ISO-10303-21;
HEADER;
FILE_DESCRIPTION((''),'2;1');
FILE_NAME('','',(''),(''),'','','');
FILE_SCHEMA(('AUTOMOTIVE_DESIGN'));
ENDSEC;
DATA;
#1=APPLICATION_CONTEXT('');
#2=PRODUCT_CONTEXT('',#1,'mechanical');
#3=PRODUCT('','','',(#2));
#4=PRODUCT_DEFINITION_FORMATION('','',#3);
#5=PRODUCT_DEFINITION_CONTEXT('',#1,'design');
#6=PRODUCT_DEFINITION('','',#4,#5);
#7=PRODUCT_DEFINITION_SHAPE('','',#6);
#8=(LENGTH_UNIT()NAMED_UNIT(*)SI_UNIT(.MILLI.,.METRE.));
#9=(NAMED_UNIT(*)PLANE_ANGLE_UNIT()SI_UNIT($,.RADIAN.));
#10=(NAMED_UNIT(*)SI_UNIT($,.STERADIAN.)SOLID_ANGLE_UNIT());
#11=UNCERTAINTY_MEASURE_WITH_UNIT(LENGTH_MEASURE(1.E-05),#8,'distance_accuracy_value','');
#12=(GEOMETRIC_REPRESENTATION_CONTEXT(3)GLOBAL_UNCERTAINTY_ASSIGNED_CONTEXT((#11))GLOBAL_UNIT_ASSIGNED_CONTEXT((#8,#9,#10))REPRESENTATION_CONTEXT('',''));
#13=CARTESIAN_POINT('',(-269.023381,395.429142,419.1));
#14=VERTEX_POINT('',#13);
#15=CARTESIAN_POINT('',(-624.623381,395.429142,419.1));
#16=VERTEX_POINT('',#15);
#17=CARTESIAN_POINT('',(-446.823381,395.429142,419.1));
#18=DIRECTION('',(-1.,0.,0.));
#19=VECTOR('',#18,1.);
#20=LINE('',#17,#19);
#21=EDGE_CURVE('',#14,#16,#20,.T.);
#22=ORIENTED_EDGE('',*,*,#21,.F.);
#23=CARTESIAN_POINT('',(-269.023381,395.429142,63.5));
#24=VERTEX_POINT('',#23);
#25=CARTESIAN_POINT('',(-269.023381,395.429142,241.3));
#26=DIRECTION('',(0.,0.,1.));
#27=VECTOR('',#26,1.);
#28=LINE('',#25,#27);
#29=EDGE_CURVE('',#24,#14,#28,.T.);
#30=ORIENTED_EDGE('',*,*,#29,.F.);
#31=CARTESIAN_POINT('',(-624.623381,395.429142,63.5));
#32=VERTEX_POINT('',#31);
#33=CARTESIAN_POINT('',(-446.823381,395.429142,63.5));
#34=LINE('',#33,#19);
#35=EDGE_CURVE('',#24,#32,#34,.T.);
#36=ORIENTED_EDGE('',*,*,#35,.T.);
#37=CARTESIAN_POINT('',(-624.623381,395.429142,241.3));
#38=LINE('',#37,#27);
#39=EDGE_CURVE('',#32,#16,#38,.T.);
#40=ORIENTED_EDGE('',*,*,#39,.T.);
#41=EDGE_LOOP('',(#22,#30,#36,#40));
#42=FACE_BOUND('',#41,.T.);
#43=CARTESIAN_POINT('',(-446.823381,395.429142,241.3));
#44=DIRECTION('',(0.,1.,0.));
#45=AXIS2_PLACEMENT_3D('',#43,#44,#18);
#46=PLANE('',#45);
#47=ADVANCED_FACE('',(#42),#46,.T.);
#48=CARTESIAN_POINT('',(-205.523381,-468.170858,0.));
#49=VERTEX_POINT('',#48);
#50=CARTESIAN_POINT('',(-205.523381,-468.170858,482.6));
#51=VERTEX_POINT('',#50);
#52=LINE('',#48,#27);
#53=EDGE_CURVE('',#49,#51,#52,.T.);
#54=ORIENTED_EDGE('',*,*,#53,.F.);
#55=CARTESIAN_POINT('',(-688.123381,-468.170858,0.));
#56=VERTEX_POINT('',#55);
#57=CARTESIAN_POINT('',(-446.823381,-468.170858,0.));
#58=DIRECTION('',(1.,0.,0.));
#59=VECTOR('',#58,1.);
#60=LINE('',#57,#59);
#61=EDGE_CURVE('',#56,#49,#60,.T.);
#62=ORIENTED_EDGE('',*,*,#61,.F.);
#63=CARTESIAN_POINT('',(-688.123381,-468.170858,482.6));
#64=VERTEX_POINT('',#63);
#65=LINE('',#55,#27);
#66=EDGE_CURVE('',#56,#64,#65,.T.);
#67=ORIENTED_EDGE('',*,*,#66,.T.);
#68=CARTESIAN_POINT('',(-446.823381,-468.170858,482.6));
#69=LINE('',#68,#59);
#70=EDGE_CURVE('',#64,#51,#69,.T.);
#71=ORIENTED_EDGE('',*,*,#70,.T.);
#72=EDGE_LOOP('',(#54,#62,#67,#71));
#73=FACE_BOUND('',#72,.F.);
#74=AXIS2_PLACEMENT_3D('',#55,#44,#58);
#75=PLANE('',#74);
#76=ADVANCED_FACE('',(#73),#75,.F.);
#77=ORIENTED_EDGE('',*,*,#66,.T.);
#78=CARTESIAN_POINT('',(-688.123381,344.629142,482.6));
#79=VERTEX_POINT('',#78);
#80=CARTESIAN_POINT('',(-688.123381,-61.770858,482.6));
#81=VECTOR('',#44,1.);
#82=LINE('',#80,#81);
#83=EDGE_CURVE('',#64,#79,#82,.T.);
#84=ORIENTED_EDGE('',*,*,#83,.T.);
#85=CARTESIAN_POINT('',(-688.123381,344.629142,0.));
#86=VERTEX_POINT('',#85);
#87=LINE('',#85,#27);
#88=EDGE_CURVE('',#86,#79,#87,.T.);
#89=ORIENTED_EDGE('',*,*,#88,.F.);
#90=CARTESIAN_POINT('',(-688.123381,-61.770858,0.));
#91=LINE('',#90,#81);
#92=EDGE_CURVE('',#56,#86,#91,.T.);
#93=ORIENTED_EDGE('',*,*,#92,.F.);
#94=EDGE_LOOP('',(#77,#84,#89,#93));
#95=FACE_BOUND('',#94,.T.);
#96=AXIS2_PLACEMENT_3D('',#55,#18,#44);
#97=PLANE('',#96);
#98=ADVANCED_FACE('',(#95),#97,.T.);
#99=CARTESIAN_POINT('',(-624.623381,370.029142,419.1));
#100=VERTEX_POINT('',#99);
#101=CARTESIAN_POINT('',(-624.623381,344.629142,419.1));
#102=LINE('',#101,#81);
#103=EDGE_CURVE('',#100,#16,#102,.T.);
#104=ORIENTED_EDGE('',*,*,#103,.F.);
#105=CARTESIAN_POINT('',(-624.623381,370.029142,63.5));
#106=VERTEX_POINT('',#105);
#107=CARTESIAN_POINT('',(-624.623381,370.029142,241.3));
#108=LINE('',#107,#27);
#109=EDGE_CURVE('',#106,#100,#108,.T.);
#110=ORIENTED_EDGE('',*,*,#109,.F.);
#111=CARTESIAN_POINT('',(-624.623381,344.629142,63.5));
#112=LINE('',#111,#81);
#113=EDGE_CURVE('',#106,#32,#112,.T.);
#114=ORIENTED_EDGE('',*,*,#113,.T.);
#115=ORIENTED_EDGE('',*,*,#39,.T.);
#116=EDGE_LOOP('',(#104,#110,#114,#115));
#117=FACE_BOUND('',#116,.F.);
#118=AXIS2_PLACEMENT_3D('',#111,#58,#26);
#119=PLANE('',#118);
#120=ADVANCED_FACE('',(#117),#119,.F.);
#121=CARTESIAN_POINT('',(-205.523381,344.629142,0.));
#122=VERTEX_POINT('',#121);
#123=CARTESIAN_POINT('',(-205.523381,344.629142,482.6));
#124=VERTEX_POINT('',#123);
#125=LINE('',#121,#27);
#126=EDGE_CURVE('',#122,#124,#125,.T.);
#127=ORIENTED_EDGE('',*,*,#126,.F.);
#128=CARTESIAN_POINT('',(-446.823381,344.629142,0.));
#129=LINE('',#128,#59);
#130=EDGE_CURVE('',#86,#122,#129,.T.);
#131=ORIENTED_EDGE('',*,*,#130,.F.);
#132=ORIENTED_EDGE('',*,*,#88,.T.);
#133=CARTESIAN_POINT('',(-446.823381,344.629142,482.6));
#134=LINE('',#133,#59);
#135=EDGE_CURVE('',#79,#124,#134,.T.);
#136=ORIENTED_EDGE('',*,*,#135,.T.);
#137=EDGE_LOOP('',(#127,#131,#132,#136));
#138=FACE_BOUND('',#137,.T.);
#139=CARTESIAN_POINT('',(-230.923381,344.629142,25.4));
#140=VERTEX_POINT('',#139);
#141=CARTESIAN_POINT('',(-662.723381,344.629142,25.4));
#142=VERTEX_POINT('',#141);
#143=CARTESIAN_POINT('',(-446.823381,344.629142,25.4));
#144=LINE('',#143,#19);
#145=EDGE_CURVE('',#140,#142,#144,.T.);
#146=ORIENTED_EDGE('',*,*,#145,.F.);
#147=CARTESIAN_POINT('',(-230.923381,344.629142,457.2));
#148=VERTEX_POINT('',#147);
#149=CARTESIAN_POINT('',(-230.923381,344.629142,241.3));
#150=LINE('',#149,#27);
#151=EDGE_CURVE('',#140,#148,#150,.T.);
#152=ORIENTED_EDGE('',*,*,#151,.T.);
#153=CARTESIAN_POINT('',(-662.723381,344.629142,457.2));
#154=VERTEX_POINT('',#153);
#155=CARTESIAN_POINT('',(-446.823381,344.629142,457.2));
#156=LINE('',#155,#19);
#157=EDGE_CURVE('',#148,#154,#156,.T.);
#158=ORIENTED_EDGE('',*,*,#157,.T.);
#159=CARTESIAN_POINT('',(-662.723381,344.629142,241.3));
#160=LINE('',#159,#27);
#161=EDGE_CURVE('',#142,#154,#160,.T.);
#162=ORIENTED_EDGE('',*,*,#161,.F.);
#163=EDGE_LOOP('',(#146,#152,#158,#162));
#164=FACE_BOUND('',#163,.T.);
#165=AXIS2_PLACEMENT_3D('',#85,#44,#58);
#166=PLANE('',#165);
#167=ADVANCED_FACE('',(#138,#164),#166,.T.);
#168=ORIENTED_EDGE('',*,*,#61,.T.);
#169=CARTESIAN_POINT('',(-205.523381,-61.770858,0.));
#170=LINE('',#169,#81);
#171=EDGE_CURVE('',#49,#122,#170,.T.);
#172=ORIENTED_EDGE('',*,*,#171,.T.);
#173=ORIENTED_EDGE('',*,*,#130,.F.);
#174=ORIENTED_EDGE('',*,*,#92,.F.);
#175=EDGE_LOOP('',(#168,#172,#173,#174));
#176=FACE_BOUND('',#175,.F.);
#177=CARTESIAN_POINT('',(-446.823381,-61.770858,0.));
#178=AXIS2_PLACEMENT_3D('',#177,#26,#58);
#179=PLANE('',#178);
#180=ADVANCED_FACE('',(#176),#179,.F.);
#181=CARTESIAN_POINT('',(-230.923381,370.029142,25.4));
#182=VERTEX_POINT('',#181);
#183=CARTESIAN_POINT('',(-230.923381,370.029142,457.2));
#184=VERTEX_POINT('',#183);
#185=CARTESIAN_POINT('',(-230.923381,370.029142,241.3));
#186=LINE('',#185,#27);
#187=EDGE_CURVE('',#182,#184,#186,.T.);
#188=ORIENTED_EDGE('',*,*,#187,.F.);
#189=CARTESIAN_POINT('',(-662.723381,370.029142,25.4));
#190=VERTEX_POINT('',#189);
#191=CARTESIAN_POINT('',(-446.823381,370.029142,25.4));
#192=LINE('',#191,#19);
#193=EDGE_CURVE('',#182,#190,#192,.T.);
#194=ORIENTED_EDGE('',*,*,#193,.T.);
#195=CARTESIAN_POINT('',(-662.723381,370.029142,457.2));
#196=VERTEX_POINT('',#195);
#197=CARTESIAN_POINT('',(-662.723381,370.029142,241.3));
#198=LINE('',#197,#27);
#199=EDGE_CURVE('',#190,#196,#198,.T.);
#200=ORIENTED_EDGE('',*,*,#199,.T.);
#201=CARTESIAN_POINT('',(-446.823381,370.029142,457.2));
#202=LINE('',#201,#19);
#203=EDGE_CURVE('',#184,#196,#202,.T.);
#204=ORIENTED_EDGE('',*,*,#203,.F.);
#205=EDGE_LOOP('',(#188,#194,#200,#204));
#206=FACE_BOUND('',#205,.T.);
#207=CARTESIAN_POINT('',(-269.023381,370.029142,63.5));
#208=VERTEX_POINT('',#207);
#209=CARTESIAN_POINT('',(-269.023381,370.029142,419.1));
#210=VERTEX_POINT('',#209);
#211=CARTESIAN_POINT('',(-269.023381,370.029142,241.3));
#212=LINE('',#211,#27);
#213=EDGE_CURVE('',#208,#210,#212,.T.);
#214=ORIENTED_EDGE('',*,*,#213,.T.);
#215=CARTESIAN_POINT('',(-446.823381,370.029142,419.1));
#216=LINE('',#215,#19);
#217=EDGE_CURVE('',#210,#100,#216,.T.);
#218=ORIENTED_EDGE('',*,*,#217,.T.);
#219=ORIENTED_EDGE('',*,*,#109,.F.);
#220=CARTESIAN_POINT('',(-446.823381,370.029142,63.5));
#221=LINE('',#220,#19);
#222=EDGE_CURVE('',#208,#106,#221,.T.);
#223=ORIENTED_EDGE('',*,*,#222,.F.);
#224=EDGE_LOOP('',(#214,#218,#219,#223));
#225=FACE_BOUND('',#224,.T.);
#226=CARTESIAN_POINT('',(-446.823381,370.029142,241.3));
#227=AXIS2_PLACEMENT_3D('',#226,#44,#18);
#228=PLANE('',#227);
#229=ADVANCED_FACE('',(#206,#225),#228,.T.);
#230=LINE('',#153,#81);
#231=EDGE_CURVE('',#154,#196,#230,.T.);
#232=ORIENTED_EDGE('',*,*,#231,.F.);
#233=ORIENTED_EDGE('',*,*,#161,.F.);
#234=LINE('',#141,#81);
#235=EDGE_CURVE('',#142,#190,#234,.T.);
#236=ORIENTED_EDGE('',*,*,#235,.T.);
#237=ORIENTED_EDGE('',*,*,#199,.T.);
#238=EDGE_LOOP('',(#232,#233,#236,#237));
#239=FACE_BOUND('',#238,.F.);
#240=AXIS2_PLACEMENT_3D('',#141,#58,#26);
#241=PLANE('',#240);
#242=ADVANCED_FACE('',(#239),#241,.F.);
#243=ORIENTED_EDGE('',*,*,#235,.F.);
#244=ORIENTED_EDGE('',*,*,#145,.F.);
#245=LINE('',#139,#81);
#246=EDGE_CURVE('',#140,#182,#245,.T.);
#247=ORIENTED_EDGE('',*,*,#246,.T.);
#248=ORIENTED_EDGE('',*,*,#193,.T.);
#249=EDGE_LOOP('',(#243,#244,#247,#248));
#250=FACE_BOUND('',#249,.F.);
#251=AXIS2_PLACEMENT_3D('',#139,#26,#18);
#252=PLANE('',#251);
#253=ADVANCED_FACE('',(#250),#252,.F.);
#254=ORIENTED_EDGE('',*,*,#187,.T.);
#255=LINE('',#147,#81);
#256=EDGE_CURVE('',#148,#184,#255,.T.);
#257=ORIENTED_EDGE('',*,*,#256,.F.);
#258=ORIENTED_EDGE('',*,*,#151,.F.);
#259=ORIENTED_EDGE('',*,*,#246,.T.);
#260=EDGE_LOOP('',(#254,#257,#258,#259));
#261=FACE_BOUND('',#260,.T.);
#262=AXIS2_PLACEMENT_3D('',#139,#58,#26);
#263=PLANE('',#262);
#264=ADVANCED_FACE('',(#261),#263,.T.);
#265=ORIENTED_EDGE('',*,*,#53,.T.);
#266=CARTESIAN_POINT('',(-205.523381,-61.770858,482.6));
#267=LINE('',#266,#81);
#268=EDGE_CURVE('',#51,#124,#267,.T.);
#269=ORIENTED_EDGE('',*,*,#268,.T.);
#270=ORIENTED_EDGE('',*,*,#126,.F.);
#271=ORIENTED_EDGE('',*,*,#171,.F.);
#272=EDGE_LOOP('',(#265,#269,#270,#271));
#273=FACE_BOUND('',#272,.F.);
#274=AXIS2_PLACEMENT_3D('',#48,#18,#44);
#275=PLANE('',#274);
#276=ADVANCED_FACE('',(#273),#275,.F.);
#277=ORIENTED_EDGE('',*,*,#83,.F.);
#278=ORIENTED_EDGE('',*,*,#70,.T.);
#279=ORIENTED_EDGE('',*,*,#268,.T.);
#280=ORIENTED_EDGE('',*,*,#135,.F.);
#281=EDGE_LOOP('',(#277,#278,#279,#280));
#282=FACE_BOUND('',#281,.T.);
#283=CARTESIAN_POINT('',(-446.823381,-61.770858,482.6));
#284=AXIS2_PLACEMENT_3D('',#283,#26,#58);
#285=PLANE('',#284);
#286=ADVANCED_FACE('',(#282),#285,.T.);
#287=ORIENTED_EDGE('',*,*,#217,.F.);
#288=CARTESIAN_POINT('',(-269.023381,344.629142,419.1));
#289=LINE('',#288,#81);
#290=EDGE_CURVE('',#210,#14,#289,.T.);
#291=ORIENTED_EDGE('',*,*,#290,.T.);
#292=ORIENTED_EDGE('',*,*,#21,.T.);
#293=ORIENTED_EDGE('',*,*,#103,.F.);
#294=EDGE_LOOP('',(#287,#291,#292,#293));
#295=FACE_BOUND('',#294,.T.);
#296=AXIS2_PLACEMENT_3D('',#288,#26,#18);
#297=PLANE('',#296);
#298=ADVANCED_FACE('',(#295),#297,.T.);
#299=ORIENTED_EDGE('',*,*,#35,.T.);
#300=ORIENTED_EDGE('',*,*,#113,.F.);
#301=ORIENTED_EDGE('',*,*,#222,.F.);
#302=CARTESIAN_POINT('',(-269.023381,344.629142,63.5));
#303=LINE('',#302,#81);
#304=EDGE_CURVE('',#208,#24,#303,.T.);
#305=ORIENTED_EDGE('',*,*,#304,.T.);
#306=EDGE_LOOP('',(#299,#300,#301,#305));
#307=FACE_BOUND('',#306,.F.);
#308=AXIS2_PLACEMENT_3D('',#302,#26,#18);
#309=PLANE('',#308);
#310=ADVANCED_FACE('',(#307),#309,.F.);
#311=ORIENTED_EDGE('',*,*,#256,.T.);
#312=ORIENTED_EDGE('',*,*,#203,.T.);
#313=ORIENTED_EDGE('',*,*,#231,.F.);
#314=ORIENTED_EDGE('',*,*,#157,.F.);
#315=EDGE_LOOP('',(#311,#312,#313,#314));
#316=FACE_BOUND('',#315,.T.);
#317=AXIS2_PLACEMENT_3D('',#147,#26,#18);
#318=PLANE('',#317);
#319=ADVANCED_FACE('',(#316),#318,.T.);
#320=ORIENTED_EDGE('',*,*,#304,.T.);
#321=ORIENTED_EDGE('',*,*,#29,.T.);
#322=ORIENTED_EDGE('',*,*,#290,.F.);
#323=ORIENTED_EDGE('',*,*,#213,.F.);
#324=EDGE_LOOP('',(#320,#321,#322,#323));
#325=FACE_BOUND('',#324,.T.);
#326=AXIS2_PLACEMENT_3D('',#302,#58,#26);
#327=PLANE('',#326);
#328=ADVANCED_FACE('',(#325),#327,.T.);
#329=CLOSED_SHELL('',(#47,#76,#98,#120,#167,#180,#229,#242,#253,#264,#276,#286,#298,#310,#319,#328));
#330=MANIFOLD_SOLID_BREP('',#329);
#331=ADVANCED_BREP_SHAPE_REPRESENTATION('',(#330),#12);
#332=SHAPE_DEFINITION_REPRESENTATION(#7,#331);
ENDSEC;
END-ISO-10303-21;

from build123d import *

# Parameters (mm, degrees)
F0_W     = 482.6
F0_H     = 812.8
F1_DEPTH = 482.6
F2_W     = 355.6
F2_H     = 355.6
F3_DEPTH = 50.8
F2_W_2   = 431.8
F2_H_2   = 431.8
F4_DEPTH = 25.4


with BuildPart() as f1:
    # F0 (on Top) → F1 (new body)
    with BuildSketch(Plane.XY):
        with Locations((-446.823381, -61.770858)):
            Rectangle(F0_W, F0_H)
    extrude(amount=F1_DEPTH)

    # F2 (on face) → F3 (join)
    with BuildSketch(Plane(origin=(0, 344.629142, 0), x_dir=(-1, 0, 0), z_dir=(0, 1, 0))):
        with Locations((446.823381, 241.3)):
            Rectangle(F2_W, F2_H)
    extrude(amount=F3_DEPTH)

    # F2 (on face) → F4 (join)
    with BuildSketch(Plane(origin=(0, 344.629142, 0), x_dir=(-1, 0, 0), z_dir=(0, 1, 0))):
        with Locations((446.823381, 241.3)):
            Rectangle(F2_W_2, F2_H_2)
        with Locations((446.823381, 241.3)):
            Rectangle(F2_W, F2_H, mode=Mode.SUBTRACT)
    extrude(amount=F4_DEPTH)


solid = f1.part
